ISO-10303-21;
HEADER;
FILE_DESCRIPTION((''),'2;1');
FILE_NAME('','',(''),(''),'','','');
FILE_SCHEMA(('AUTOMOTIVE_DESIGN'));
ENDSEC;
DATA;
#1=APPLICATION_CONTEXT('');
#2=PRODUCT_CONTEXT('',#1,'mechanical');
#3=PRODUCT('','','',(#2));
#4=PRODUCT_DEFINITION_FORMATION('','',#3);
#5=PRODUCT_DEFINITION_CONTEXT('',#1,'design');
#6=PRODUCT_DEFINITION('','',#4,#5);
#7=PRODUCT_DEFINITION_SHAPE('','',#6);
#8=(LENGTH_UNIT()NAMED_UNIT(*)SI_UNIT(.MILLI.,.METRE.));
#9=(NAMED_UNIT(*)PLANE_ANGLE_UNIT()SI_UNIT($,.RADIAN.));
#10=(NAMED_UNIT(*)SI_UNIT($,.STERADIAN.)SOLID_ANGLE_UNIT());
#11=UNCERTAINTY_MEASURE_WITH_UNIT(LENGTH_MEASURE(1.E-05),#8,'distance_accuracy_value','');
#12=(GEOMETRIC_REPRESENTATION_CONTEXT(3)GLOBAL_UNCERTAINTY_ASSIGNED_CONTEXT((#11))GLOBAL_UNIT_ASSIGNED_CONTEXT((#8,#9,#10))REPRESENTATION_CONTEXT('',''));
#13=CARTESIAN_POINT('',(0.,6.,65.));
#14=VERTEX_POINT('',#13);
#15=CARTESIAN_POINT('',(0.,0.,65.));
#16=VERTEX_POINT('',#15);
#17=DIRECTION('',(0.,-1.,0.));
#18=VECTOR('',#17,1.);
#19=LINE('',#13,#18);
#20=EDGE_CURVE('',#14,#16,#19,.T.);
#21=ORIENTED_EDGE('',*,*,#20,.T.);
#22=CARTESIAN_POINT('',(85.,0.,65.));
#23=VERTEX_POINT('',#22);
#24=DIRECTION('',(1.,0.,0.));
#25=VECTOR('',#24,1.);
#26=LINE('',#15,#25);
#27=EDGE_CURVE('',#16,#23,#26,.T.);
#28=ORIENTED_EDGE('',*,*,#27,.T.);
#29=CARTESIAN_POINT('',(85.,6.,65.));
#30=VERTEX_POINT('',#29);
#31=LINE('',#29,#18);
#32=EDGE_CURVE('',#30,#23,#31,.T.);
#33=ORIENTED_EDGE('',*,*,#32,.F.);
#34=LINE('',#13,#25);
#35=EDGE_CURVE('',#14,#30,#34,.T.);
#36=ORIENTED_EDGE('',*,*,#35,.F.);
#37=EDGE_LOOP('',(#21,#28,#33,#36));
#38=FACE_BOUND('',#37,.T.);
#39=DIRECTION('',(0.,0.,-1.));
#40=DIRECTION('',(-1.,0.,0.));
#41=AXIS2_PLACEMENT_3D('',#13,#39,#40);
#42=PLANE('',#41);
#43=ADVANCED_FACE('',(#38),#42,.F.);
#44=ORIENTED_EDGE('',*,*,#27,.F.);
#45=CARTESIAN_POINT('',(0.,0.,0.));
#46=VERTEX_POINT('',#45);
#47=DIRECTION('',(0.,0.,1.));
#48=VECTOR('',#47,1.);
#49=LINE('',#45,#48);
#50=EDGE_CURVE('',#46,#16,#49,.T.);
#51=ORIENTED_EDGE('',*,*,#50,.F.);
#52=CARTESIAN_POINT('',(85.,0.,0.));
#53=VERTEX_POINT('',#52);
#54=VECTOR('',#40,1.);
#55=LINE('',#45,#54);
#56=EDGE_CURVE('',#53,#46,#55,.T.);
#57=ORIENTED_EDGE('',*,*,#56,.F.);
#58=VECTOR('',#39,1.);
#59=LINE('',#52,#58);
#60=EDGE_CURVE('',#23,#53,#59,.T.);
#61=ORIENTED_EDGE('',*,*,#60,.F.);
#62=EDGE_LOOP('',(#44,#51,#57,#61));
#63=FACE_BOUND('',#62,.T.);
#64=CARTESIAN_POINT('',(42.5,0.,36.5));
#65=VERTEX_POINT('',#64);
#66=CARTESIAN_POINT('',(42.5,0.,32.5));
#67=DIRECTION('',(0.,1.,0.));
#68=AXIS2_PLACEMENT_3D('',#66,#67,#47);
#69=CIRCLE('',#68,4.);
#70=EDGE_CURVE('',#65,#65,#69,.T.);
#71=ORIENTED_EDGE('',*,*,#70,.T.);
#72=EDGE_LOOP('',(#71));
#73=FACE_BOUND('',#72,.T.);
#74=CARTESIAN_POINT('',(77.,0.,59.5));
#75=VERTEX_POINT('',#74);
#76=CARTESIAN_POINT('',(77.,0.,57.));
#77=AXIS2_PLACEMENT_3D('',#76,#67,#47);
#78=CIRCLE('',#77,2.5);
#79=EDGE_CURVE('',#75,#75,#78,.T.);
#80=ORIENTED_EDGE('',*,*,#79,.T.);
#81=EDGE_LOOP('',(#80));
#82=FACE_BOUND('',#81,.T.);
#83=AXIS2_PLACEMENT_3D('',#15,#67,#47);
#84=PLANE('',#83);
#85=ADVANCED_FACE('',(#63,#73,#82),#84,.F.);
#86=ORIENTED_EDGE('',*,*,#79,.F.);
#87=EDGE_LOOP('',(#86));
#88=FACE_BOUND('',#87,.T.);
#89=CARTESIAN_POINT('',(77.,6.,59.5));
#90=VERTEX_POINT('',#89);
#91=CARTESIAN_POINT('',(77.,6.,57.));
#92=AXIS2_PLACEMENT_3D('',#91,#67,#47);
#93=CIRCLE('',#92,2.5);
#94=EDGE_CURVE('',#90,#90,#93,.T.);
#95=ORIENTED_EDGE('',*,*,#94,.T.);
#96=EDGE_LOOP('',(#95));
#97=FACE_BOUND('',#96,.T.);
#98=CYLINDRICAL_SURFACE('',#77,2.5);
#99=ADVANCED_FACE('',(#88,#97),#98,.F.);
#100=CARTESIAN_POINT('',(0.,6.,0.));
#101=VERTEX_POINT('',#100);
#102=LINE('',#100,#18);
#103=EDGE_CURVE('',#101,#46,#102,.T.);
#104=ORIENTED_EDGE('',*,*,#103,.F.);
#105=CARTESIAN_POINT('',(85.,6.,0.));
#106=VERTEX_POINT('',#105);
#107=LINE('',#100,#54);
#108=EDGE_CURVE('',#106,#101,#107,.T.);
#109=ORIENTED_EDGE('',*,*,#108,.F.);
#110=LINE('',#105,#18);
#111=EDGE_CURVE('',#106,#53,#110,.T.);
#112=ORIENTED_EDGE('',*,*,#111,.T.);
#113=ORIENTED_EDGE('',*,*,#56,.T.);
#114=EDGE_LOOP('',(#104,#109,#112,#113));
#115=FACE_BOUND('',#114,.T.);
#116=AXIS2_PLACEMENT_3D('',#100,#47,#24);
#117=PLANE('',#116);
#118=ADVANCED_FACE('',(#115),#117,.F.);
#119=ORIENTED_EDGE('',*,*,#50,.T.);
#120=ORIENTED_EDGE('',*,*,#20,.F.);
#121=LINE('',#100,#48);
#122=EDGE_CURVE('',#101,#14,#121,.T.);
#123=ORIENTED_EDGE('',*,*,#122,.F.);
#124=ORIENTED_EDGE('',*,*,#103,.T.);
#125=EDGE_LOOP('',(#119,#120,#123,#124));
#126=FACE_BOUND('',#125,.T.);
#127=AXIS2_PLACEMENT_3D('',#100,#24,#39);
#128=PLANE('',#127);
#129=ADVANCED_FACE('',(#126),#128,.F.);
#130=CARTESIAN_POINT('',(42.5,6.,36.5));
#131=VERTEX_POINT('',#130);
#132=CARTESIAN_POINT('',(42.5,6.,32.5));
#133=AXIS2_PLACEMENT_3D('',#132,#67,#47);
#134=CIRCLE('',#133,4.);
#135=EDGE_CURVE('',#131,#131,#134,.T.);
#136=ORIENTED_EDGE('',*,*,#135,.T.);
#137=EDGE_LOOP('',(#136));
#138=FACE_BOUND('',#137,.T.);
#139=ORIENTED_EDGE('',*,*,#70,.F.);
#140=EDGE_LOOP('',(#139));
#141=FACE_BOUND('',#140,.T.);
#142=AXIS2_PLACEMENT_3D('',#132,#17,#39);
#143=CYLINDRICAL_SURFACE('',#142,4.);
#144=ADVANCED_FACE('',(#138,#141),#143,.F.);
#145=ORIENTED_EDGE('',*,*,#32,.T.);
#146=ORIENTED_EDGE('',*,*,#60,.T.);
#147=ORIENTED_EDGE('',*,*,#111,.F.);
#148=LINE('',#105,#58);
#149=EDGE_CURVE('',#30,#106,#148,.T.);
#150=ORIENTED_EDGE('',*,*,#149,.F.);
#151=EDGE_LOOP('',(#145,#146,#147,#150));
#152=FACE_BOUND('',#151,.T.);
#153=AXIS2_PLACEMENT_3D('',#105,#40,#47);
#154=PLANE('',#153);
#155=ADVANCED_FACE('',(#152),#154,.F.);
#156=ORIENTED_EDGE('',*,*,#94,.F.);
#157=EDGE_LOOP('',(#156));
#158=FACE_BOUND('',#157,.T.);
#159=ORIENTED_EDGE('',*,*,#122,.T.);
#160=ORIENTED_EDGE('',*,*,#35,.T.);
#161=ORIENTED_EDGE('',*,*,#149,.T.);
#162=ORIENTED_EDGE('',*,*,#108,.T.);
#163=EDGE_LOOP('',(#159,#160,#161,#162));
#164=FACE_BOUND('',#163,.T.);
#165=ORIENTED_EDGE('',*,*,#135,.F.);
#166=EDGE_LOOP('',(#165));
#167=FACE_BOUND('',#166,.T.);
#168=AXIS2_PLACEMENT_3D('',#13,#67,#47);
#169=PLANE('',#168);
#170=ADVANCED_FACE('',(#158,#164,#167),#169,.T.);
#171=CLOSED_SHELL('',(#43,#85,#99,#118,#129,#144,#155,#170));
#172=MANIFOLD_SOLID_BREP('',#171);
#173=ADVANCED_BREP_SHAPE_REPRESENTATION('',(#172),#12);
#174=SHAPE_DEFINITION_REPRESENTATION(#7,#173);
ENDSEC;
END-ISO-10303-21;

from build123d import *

# Parameters (mm, degrees)
SKETCH_1_W          = 85
SKETCH_1_H          = 65
SKETCH_1_R          = 4
EXTRUDE_1_DEPTH     = 6
SKETCH_2_R          = 2.5
CUT_EXTRUDE_1_DEPTH = 108.172757733


with BuildPart() as part:
    # Эскиз1 → Вытянуть1 (new body)
    with BuildSketch(Plane(origin=(0, 0, 0), x_dir=(1, 0, 0), z_dir=(0, 1, 0))):
        with Locations((42.5, -32.5)):
            Rectangle(SKETCH_1_W, SKETCH_1_H)
        with Locations(Location((42.5, -32.5, 0), (0, 0, 270))):
            Circle(SKETCH_1_R, mode=Mode.SUBTRACT)
    extrude(amount=EXTRUDE_1_DEPTH)

    # Эскиз2 → Вырез-Вытянуть1 (cut, through all)
    with BuildSketch(Plane(origin=(0, 6, 0), x_dir=(1, 0, 0), z_dir=(0, 1, 0))):
        with Locations(Location((77, -57, 0), (0, 0, 270))):
            Circle(SKETCH_2_R)
    extrude(amount=-CUT_EXTRUDE_1_DEPTH, mode=Mode.SUBTRACT)


solid = part.part
